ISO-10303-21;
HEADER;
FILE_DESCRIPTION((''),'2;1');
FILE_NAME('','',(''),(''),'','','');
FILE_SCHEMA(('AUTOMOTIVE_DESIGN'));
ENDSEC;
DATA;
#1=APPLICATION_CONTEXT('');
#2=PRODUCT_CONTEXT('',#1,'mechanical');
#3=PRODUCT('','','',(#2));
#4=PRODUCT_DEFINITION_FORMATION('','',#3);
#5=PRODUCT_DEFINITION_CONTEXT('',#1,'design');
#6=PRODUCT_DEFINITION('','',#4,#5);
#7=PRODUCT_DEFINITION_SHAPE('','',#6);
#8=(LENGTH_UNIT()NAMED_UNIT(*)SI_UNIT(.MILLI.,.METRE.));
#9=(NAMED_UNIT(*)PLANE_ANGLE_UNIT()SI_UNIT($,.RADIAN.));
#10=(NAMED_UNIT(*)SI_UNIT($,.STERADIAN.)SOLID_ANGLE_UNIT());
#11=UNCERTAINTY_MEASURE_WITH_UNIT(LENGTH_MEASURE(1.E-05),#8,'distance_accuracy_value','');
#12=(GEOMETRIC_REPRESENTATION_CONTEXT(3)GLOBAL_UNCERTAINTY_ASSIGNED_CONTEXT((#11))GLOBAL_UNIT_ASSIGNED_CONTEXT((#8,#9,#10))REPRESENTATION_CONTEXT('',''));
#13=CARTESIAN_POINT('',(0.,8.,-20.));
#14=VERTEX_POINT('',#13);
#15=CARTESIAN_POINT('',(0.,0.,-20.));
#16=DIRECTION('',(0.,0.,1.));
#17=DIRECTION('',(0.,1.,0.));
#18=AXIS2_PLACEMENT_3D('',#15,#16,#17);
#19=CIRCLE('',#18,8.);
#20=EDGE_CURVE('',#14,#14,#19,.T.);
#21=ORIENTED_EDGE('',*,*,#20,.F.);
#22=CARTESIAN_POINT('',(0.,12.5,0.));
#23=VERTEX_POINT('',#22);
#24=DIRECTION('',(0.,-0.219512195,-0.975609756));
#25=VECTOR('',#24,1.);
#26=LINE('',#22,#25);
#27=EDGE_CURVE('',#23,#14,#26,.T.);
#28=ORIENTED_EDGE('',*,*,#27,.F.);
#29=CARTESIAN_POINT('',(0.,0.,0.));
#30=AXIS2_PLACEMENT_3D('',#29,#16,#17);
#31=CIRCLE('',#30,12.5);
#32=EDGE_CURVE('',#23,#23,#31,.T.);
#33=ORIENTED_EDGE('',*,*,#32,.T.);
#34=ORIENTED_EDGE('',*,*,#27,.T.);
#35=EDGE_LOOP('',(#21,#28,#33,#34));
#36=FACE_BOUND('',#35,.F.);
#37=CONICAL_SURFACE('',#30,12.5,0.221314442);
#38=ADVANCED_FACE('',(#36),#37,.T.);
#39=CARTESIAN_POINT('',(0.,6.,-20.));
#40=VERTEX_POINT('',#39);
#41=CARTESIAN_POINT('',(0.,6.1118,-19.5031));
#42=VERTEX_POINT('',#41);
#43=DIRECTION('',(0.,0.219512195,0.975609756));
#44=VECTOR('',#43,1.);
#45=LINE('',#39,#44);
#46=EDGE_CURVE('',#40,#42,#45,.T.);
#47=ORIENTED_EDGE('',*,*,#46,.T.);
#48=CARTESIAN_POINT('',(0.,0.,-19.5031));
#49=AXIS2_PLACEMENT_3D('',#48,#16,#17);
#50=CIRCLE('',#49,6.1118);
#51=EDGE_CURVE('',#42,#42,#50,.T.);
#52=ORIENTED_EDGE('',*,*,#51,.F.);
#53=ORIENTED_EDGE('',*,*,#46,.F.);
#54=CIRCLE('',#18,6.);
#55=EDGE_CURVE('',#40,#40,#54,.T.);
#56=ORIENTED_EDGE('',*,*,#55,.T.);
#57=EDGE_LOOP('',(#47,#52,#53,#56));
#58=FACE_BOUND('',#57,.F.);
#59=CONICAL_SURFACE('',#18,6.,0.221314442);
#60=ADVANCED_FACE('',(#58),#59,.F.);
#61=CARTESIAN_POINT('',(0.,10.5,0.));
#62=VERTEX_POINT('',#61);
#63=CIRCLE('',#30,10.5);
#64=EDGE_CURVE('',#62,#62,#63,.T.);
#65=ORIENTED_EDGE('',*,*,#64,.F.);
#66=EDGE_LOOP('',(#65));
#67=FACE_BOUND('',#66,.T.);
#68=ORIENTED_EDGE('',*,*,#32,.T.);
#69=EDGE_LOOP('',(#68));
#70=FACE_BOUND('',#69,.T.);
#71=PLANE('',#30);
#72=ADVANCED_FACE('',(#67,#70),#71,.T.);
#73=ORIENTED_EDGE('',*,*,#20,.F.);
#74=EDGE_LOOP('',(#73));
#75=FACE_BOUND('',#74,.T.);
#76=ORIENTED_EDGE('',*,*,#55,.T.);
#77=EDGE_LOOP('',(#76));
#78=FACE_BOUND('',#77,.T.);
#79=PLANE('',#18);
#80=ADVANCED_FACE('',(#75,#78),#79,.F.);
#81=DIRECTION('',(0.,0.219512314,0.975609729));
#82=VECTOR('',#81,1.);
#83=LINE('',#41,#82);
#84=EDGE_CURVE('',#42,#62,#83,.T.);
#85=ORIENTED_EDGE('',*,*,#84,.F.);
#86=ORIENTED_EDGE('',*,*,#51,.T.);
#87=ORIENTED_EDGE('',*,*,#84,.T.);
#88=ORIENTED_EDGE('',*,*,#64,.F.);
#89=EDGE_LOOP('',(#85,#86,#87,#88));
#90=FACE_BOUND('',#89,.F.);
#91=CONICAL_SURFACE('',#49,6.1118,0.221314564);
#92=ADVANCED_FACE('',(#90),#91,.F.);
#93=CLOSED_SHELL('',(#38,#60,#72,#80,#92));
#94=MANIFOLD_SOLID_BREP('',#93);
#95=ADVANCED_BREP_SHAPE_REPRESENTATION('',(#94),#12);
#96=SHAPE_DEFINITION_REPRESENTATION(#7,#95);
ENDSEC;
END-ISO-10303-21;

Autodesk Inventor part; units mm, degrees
ref_plane "YZ Plane" through (0, 0, 0) normal (1, 0, 0) x (0, 1, 0)
ref_plane "XZ Plane" through (0, 0, 0) normal (0, 1, 0) x (-1, 0, 0)
ref_plane "XY Plane" through (0, 0, 0) normal (0, 0, 1) x (1, 0, 0)
sketch "Skizze4" plane through (0, 0, 0) normal (1, 0, 0) x (0, 1, 0)
  line L0 (-2.5, 0) -> (15, 0) construction
  line L1 (0, -24) -> (0, 4) projected
  line L2 (12.5, 0) -> (8, -20)
  line L3 (6.1118, -19.5031) -> (10.5, 0)
  line L4 (6, -20) -> (10.5, 0)
  line L5 (12.5, 0) -> (10.5, 0)
  line L6 (6, -20) -> (8, -20)
  point P0 (0, 0)
  dimension "d6" = 25
  dimension "d7" = 12
  dimension "d8" = 2
  dimension "d9" = 20
revolve "Umdrehung1" add sketch "Skizze4" angle 360 about axis through (0, 0, -10) along (0, 0, 1)
properties part number "Lampignon_25x20" material "geeigneten Werkstoff auswählen !"
